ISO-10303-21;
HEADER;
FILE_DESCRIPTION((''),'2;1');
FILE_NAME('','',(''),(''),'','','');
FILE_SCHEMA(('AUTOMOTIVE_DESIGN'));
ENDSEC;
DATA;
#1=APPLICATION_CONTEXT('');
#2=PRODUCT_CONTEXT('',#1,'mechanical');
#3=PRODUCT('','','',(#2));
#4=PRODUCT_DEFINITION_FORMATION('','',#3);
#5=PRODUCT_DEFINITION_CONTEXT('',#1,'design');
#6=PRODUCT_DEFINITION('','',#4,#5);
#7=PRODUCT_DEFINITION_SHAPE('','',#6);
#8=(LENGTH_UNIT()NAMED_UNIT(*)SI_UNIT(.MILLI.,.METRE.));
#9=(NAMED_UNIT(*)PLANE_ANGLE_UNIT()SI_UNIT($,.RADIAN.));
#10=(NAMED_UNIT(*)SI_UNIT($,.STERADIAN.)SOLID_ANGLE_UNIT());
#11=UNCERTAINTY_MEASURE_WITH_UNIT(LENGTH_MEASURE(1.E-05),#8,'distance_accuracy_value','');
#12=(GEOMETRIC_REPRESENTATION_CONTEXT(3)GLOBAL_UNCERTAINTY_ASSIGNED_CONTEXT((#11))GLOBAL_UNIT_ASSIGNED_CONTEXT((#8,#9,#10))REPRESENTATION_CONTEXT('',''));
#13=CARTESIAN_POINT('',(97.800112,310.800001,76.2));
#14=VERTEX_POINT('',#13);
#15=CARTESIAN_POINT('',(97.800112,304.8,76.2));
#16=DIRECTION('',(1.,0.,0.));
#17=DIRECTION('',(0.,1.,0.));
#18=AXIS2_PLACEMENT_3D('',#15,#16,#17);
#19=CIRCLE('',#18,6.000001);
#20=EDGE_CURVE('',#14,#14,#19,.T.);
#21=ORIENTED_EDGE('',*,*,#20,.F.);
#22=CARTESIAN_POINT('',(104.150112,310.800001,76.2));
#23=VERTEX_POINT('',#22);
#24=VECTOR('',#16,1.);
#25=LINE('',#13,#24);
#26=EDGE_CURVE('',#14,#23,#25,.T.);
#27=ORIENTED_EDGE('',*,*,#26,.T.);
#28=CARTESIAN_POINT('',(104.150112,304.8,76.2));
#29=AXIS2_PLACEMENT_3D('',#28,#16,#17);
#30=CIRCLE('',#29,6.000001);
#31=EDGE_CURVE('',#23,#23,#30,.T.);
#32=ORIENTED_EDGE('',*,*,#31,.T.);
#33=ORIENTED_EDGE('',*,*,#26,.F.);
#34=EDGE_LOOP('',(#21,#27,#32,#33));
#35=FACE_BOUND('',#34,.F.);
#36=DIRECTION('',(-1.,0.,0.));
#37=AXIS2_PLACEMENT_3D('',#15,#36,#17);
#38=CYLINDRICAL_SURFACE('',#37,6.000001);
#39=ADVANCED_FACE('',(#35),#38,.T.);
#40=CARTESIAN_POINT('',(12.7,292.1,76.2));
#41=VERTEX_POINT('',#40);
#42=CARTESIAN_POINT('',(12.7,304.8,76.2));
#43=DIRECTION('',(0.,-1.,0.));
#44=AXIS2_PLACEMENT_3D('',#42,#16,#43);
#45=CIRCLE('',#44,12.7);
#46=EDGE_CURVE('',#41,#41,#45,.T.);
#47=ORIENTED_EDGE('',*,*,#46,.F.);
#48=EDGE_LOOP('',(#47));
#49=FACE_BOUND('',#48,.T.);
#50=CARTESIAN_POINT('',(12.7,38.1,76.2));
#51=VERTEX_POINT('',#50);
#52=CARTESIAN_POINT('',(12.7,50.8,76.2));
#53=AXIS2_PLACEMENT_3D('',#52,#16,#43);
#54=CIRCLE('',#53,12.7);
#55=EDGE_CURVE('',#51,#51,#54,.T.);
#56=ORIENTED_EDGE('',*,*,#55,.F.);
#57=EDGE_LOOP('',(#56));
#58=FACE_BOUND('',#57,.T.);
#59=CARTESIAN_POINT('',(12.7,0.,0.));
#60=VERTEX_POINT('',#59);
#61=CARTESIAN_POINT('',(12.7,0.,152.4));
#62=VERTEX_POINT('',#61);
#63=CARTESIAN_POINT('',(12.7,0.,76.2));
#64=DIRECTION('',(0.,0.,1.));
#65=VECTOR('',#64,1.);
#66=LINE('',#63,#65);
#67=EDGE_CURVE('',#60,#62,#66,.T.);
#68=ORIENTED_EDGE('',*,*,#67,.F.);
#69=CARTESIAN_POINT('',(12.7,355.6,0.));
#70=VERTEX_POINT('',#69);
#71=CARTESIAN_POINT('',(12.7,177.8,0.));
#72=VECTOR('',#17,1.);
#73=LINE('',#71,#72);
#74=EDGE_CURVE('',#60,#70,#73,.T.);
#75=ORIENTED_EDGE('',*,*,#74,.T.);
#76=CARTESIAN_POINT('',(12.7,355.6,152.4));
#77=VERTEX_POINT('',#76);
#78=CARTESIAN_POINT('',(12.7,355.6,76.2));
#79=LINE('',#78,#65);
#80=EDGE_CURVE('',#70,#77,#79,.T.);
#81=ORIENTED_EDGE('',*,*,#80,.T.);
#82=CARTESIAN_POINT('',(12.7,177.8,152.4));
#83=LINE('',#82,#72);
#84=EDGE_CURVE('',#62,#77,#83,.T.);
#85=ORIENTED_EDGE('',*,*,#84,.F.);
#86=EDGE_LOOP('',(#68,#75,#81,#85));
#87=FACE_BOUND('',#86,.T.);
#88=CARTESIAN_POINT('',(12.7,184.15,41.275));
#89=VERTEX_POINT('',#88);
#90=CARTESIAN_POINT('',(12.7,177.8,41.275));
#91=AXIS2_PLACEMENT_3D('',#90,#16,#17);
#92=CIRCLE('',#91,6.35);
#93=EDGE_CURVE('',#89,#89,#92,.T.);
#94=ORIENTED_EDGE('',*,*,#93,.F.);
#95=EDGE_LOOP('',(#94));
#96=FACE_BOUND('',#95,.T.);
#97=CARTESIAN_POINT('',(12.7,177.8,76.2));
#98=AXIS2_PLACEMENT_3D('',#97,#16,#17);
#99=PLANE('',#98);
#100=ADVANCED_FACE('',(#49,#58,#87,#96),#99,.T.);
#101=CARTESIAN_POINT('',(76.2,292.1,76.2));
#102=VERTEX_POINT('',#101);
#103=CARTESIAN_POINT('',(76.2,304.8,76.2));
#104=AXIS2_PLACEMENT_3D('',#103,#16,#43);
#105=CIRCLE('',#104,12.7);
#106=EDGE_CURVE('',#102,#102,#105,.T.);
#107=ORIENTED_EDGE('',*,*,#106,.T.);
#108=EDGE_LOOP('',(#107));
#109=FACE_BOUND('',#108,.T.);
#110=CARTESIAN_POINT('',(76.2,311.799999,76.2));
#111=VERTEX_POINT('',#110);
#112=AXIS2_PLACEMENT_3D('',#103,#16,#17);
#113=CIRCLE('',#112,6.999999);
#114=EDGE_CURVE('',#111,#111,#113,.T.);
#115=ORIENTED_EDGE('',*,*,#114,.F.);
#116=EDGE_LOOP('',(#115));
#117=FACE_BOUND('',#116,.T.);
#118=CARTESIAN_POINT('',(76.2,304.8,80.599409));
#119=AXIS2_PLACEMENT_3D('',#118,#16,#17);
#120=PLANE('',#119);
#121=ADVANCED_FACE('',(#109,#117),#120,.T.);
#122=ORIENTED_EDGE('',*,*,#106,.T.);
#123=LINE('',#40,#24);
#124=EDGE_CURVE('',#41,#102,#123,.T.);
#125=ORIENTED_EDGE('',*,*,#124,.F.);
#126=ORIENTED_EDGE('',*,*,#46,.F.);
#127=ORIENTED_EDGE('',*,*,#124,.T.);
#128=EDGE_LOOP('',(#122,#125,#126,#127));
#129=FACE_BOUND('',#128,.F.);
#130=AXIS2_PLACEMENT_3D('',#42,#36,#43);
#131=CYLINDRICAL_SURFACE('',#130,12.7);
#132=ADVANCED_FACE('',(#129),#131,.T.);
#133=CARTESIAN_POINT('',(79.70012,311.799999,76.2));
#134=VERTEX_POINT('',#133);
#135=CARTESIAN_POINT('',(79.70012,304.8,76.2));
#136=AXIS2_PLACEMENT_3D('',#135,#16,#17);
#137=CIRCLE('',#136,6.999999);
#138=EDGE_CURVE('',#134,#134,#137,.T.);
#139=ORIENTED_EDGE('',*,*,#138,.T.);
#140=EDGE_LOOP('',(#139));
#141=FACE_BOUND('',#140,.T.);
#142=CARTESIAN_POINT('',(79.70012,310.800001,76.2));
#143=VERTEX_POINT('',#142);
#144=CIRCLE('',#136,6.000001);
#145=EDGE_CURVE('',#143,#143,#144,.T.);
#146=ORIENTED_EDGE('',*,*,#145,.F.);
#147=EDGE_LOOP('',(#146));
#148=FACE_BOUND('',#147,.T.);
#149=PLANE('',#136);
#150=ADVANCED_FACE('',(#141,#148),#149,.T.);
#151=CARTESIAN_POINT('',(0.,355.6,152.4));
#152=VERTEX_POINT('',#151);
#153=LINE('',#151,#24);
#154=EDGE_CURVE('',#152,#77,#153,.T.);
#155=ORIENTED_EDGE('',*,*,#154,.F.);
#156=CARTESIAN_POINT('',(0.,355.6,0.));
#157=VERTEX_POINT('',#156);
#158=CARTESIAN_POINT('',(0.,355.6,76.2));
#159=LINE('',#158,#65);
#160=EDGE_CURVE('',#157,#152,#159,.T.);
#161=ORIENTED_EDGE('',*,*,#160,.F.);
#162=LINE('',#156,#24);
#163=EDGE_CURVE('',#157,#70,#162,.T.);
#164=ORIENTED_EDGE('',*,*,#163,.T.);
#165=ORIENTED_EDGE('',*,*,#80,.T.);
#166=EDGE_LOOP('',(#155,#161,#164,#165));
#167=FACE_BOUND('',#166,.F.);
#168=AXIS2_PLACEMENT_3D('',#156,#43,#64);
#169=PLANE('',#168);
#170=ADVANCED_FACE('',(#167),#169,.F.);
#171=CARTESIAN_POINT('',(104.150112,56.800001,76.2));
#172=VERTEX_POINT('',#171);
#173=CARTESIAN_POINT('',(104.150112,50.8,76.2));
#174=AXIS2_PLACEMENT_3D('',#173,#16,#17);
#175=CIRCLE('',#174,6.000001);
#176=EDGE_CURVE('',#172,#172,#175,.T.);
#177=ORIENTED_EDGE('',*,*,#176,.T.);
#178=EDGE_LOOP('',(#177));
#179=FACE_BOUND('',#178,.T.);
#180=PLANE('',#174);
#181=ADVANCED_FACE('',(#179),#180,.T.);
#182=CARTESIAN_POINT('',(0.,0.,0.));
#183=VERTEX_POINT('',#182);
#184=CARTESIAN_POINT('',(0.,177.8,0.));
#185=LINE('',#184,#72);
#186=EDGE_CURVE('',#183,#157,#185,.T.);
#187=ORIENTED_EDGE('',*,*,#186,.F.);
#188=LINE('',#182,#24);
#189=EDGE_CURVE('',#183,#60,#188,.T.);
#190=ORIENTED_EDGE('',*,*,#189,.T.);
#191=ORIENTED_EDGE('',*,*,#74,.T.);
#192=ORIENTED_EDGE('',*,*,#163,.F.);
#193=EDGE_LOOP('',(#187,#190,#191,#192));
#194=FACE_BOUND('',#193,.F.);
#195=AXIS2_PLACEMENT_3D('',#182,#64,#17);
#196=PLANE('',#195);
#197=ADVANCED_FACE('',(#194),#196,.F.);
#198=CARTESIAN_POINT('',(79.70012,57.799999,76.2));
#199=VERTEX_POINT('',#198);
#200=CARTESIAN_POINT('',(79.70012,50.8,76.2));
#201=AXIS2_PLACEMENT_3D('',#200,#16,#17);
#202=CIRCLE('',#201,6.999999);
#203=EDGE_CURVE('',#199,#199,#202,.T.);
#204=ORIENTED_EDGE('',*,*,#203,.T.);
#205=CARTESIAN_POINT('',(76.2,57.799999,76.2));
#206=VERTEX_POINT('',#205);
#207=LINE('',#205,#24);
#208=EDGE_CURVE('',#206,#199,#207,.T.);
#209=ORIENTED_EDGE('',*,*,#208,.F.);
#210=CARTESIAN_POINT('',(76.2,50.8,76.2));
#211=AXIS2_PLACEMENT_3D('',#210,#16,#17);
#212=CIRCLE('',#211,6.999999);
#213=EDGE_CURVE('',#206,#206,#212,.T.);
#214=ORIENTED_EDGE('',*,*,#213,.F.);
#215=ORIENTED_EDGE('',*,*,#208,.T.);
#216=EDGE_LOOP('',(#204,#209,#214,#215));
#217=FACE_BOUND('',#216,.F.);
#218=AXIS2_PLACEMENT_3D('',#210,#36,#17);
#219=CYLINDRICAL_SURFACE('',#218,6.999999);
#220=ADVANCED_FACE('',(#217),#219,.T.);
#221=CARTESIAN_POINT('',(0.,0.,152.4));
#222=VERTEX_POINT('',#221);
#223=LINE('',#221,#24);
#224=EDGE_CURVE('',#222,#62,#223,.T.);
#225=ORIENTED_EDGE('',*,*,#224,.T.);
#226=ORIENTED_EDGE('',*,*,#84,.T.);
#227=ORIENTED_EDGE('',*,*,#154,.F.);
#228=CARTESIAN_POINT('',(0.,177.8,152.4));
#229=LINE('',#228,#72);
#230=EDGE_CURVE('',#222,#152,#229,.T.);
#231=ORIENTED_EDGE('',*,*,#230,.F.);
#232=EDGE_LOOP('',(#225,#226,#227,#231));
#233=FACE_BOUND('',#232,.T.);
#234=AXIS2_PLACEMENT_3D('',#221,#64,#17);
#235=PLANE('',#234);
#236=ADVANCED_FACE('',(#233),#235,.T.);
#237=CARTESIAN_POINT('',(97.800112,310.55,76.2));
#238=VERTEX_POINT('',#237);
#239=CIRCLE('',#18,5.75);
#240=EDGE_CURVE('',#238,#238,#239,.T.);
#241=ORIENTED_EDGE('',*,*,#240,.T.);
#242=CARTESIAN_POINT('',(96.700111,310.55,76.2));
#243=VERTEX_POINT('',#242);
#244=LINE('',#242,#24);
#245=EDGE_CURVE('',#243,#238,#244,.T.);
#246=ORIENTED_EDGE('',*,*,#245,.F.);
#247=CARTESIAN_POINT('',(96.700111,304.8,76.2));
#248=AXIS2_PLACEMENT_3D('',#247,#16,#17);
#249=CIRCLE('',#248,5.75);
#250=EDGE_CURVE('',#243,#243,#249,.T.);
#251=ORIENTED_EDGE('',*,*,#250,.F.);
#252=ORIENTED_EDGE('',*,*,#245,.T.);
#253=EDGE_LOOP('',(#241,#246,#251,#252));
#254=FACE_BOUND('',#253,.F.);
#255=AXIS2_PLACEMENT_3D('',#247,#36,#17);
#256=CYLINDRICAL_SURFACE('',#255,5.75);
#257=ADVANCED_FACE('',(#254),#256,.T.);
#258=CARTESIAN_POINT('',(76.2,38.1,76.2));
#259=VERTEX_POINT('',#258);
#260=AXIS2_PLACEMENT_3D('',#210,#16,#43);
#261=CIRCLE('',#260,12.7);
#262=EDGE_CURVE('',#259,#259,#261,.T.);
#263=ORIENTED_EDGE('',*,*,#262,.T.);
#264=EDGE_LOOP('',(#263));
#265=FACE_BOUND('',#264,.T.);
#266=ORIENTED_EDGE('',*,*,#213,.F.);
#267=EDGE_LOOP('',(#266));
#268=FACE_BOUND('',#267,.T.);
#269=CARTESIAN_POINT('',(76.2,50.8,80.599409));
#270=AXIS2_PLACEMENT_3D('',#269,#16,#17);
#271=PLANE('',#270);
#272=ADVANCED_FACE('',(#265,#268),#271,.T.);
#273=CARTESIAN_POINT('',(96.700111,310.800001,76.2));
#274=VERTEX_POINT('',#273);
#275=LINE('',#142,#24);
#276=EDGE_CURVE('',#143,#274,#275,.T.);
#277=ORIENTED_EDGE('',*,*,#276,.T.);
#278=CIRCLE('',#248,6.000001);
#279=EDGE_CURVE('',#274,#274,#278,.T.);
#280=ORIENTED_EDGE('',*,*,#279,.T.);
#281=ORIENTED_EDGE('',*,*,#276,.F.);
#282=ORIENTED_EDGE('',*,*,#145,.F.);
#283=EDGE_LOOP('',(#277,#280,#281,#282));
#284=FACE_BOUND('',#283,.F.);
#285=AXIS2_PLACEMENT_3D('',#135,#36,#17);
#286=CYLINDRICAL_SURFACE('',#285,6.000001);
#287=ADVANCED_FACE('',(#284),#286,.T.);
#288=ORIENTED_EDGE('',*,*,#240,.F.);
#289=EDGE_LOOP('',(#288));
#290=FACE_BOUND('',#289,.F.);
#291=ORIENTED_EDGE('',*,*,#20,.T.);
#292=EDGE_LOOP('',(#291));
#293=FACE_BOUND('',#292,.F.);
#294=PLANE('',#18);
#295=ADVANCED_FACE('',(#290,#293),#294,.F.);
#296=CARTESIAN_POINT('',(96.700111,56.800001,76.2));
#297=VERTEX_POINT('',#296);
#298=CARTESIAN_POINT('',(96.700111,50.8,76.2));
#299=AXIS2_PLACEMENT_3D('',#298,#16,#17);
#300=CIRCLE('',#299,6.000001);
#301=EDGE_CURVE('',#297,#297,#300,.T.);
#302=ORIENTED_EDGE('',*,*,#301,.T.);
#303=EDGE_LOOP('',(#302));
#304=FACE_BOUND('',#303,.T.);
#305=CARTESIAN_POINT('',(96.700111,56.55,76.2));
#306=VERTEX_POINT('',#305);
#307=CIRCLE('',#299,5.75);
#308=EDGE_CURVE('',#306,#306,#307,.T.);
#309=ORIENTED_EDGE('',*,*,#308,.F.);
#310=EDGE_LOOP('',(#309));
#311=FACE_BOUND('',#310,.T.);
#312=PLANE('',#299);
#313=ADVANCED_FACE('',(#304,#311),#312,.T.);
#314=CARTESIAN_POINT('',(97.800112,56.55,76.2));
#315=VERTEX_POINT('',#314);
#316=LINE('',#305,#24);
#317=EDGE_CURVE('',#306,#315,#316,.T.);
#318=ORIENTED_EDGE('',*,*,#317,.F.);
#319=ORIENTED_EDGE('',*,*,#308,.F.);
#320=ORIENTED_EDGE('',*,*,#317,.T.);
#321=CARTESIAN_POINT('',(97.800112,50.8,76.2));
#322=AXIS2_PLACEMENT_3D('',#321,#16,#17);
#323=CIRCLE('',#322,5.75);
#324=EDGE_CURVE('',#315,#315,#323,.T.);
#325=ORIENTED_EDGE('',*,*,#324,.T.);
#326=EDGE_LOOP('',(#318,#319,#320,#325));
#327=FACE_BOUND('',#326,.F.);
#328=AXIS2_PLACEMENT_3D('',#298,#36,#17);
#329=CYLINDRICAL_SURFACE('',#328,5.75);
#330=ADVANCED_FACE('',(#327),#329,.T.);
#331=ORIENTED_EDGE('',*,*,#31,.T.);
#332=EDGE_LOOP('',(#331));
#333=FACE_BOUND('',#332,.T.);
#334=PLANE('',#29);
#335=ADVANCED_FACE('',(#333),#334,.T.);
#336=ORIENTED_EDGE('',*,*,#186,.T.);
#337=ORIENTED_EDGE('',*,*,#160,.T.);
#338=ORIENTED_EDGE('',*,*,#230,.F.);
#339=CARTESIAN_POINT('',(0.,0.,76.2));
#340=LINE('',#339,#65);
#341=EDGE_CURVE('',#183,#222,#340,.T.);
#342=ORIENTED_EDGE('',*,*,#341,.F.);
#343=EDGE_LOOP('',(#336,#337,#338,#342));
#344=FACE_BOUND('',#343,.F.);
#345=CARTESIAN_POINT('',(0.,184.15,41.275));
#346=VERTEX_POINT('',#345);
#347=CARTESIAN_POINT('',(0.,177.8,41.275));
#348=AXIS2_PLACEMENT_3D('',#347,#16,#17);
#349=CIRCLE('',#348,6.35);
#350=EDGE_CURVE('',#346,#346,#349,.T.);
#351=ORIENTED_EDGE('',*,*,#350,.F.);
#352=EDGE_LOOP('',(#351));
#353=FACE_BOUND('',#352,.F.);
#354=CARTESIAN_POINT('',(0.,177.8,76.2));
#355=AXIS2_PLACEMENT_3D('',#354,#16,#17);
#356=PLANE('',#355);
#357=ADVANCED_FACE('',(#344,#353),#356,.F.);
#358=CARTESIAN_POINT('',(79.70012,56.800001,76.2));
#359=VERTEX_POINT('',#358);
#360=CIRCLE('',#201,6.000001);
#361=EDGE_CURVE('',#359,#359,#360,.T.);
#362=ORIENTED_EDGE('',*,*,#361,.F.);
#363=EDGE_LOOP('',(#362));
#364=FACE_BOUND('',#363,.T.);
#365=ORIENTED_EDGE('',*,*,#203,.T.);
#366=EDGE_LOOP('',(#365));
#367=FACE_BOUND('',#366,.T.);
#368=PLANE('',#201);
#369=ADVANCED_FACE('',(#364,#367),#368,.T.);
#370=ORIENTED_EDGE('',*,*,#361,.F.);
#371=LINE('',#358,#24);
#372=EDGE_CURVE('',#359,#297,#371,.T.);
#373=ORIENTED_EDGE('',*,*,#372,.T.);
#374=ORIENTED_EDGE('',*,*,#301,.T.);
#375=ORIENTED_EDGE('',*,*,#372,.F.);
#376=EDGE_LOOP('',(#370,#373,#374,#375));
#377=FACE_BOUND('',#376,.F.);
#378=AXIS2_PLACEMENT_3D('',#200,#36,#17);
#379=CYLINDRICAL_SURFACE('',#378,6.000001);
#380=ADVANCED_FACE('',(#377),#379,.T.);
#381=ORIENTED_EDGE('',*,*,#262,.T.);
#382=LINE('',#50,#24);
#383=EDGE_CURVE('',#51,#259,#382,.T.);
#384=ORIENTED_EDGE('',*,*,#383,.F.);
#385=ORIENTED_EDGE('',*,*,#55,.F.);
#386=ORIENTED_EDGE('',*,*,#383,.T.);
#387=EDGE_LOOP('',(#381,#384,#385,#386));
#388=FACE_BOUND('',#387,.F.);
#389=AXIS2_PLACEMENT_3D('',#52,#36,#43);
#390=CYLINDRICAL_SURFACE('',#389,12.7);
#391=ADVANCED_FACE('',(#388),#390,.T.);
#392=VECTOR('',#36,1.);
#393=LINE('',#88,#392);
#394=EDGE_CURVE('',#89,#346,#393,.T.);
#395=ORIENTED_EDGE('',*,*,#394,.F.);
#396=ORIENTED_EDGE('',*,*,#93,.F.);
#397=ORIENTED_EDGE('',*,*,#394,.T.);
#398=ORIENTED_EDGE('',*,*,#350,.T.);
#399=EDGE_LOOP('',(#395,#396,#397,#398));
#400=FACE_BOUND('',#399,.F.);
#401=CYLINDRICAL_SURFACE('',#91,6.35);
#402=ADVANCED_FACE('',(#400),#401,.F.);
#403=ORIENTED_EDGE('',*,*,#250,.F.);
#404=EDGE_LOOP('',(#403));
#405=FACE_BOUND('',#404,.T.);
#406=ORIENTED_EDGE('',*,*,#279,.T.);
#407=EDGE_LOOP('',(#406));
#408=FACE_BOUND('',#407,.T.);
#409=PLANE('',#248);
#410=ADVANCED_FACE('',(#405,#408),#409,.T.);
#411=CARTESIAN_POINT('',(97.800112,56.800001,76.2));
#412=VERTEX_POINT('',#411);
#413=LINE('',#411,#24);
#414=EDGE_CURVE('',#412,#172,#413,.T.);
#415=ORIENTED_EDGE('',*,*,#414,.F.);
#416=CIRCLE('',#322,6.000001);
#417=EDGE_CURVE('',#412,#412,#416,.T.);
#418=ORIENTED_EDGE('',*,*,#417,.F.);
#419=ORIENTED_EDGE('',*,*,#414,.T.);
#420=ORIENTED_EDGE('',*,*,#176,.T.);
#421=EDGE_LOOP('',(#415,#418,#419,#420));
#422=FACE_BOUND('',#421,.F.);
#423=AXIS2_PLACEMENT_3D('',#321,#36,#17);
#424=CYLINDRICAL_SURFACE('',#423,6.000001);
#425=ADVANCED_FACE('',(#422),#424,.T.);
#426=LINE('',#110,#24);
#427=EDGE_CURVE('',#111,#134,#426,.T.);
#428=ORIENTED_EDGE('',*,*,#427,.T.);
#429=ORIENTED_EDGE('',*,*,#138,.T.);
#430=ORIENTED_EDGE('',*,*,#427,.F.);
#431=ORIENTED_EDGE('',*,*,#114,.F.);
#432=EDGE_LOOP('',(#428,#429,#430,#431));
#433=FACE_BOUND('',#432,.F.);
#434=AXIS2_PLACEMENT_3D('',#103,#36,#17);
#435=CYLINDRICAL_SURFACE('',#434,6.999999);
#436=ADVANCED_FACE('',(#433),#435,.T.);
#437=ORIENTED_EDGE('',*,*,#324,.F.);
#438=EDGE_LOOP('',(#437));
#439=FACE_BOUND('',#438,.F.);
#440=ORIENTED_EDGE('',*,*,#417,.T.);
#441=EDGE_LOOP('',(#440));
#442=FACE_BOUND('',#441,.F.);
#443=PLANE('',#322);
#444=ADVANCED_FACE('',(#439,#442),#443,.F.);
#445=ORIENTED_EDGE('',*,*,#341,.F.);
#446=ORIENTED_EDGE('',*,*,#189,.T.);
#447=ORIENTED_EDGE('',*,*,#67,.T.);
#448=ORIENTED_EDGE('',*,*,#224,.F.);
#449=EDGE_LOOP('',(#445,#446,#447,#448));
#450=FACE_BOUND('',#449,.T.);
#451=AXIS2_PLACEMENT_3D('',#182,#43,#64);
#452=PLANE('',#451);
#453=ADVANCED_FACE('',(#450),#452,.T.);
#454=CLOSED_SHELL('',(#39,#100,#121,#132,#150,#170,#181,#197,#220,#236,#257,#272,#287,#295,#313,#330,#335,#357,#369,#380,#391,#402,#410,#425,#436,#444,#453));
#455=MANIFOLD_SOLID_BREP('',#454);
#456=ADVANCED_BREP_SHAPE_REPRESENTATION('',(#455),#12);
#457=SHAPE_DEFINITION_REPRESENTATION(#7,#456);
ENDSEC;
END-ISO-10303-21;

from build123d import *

# Parameters (mm, degrees)
F0_W      = 355.6
F0_H      = 152.4
F1_DEPTH  = 12.7
F3_DEPTH  = 63.5
F4_R      = 6.9999987
F5_DEPTH  = 3.50012
F6_R      = 6.9999987
F7_DEPTH  = 3.50012
F8_R      = 6.0000007
F9_DEPTH  = 16.9999914
F10_R     = 6.0000007
F11_DEPTH = 16.9999914
F12_R     = 5.74999993
F13_DEPTH = 1.10000034
F14_R     = 5.74999993
F15_DEPTH = 1.10000034
F16_R     = 6.0000007
F17_DEPTH = 6.35
F18_R     = 6.0000007
F19_DEPTH = 6.35
F20_R     = 6.35
F21_DEPTH = 25.4


with BuildPart() as f1:
    # F0 (on Right) → F1 (new body)
    with BuildSketch(Plane.YZ):
        with Locations((177.8, 76.2)):
            Rectangle(F0_W, F0_H)
    extrude(amount=F1_DEPTH)

    # F2 (on face) → F3 (join)
    with BuildSketch(Plane.YZ.offset(12.7)):
        with BuildLine():
            ThreePointArc((63.5, 76.2), (50.8, 88.9), (38.1, 76.2))
            Line((38.1, 76.2), (63.5, 76.2))
        make_face()
        with BuildLine():
            ThreePointArc((317.5, 76.2), (304.8, 88.9), (292.1, 76.2))
            Line((292.1, 76.2), (317.5, 76.2))
        make_face()
        with BuildLine():
            Line((317.5, 76.2), (292.1, 76.2))
            ThreePointArc((292.1, 76.2), (304.8, 63.5), (317.5, 76.2))
        make_face()
        with BuildLine():
            Line((63.5, 76.2), (38.1, 76.2))
            ThreePointArc((38.1, 76.2), (50.8, 63.5), (63.5, 76.2))
        make_face()
    extrude(amount=F3_DEPTH)

    # F4 (on face) → F5 (join)
    with BuildSketch(Plane.YZ.offset(76.2)):
        with Locations((50.8, 76.2)):
            Circle(F4_R)
    extrude(amount=F5_DEPTH)

    # F6 (on face) → F7 (join)
    with BuildSketch(Plane.YZ.offset(76.2)):
        with Locations((304.8, 76.2)):
            Circle(F6_R)
    extrude(amount=F7_DEPTH)

    # F8 (on face) → F9 (join)
    with BuildSketch(Plane.YZ.offset(79.70012)):
        with Locations((50.8, 76.2)):
            Circle(F8_R)
    extrude(amount=F9_DEPTH)

    # F10 (on face) → F11 (join)
    with BuildSketch(Plane.YZ.offset(79.70012)):
        with Locations((304.8, 76.2)):
            Circle(F10_R)
    extrude(amount=F11_DEPTH)

    # F12 (on face) → F13 (join)
    with BuildSketch(Plane.YZ.offset(96.7001114)):
        with Locations((50.8, 76.2)):
            Circle(F12_R)
    extrude(amount=F13_DEPTH)

    # F14 (on face) → F15 (join)
    with BuildSketch(Plane.YZ.offset(96.7001114)):
        with Locations((304.8, 76.2)):
            Circle(F14_R)
    extrude(amount=F15_DEPTH)

    # F16 (on face) → F17 (join)
    with BuildSketch(Plane.YZ.offset(97.80011174)):
        with Locations((50.8, 76.2)):
            Circle(F16_R)
    extrude(amount=F17_DEPTH)

    # F18 (on face) → F19 (join)
    with BuildSketch(Plane.YZ.offset(97.80011174)):
        with Locations((304.8, 76.2)):
            Circle(F18_R)
    extrude(amount=F19_DEPTH)

    # F20 (on face) → F21 (cut)
    with BuildSketch(Plane.YZ.offset(12.7)):
        with Locations((177.8, 41.275)):
            Circle(F20_R)
    extrude(amount=-F21_DEPTH, mode=Mode.SUBTRACT)


solid = f1.part
